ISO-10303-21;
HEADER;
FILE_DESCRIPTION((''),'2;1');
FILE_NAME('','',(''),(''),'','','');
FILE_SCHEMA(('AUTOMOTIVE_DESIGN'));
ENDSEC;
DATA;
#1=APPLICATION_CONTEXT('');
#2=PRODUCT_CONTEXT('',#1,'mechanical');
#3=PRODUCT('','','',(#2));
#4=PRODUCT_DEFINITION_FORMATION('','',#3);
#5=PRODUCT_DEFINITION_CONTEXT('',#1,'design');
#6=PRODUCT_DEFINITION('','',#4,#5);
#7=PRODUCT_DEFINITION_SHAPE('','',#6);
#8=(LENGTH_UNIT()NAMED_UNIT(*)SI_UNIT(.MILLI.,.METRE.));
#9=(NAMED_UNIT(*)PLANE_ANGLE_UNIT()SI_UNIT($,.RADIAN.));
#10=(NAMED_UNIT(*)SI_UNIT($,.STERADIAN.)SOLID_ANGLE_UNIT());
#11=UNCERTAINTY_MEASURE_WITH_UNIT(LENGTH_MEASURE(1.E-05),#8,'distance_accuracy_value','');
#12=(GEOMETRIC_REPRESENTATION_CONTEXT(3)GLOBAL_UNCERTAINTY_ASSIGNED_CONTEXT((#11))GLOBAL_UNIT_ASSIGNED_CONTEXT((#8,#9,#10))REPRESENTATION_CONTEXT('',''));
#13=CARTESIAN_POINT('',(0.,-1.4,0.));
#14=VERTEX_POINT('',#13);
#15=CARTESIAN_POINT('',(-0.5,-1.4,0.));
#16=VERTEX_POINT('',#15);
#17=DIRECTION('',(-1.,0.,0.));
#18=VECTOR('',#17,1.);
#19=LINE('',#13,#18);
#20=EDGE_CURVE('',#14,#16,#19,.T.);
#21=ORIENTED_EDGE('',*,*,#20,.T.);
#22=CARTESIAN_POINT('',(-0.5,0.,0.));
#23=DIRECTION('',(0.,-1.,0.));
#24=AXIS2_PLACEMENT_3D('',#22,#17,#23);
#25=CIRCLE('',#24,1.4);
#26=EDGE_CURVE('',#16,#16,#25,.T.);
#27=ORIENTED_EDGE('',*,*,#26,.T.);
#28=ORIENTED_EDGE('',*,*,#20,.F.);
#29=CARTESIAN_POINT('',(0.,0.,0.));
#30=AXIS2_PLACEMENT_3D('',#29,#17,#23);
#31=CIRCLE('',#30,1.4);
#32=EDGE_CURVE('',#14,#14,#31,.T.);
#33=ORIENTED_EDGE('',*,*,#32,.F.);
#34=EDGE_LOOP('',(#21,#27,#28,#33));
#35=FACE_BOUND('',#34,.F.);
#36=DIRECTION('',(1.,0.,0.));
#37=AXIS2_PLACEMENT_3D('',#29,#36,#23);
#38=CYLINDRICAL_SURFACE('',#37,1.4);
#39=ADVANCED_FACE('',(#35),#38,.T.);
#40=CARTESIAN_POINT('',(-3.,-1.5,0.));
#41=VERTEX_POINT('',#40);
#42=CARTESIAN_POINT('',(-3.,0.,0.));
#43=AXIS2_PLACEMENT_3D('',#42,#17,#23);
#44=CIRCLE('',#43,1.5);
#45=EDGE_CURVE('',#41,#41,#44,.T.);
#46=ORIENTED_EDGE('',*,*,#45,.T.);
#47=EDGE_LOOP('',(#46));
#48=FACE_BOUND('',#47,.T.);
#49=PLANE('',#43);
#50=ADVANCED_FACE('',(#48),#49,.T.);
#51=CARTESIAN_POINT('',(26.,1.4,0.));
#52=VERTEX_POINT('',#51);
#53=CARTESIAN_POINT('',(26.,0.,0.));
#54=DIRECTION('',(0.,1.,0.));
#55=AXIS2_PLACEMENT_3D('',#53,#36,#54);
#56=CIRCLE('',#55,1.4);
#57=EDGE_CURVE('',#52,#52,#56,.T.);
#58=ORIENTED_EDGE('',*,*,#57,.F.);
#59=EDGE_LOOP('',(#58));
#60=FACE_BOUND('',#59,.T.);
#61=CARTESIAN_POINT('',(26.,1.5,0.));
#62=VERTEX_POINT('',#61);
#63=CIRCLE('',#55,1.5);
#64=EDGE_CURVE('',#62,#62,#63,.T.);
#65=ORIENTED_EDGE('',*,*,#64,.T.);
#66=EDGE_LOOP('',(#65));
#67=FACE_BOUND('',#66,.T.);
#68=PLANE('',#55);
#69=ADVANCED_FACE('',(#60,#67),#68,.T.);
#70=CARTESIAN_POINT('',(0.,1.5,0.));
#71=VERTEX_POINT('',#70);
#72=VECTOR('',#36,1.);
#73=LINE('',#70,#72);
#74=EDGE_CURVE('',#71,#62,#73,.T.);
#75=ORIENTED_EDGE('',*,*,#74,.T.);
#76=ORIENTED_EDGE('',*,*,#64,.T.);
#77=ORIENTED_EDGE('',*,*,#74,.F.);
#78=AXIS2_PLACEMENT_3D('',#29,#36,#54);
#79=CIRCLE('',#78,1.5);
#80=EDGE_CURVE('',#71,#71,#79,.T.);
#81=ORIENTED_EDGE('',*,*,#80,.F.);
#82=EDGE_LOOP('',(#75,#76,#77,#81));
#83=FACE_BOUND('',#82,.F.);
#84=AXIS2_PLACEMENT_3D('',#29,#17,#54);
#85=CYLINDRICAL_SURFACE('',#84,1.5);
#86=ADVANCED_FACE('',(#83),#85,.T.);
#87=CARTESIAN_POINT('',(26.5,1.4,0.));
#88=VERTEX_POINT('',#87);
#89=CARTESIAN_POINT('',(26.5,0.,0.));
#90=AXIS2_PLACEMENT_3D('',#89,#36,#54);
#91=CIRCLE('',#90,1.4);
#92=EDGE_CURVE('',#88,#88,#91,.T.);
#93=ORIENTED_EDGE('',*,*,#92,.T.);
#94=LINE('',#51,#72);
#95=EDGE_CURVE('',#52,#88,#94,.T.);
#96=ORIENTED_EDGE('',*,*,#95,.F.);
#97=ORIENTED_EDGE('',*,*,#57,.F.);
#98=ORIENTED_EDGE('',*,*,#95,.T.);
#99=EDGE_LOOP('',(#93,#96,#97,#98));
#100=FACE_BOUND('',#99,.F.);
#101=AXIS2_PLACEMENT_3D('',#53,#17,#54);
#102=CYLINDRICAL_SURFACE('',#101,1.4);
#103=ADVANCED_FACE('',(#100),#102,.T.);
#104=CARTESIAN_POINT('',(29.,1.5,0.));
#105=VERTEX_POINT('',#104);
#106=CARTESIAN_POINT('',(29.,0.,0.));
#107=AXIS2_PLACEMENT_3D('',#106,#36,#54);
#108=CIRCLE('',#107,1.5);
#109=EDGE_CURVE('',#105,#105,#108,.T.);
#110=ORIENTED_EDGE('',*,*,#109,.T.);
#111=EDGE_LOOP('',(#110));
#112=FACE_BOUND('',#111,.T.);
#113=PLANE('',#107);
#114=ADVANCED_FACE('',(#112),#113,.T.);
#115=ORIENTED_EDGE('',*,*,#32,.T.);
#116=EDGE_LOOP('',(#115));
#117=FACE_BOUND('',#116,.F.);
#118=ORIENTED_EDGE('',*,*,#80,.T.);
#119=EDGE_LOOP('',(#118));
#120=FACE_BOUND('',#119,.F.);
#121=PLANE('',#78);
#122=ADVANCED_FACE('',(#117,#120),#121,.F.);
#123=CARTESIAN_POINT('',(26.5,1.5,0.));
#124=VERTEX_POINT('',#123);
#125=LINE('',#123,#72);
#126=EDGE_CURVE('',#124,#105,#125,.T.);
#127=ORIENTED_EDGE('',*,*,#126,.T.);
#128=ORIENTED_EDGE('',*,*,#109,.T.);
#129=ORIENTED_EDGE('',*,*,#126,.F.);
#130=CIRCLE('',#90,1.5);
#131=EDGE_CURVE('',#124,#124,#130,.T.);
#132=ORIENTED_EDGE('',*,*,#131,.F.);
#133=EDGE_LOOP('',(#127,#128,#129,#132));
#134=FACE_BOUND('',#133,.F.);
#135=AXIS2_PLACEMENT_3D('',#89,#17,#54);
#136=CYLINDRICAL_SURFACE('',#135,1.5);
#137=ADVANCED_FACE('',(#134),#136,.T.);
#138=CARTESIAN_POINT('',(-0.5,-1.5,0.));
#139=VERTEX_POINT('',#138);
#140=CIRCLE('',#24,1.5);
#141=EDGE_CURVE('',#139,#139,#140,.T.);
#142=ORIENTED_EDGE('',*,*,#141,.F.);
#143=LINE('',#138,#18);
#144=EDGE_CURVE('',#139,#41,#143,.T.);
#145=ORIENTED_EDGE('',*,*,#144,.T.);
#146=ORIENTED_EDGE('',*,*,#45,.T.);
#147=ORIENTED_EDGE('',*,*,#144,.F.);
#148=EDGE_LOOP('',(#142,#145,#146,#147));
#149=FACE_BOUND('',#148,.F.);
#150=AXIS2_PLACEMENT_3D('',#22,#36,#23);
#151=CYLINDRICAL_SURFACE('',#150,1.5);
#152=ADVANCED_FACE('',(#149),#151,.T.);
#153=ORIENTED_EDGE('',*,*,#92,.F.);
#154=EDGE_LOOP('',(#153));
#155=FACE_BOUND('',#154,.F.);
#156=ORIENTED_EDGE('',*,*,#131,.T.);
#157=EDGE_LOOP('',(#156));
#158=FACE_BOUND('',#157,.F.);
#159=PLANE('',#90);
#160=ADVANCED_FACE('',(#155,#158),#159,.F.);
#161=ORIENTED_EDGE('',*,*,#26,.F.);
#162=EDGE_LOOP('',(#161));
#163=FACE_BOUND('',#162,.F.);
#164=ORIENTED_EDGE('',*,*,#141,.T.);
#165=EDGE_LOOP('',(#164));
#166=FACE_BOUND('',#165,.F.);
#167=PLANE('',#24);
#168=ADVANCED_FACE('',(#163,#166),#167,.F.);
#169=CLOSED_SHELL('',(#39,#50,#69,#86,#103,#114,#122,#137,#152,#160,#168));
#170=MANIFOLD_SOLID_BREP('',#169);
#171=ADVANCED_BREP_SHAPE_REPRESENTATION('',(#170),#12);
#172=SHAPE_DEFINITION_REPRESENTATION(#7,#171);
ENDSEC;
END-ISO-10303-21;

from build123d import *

# Parameters (mm, degrees)
F0_R     = 1.5
F1_DEPTH = 26
F2_R     = 1.4
F3_DEPTH = 0.5
F4_R     = 1.4
F5_DEPTH = 0.5
F6_R     = 1.5
F7_DEPTH = 2.5
F8_R     = 1.5
F9_DEPTH = 2.5


with BuildPart() as f1:
    # F0 (on Right) → F1 (new body)
    with BuildSketch(Plane.YZ):
        Circle(F0_R)
    extrude(amount=F1_DEPTH)

    # F2 (on face) → F3 (join)
    with BuildSketch(Plane.YZ.offset(26)):
        Circle(F2_R)
    extrude(amount=F3_DEPTH)

    # F4 (on face) → F5 (join)
    with BuildSketch(Plane(origin=(0, 0, 0), x_dir=(0, -1, 0), z_dir=(-1, 0, 0))):
        Circle(F4_R)
    extrude(amount=F5_DEPTH)

    # F6 (on face) → F7 (join)
    with BuildSketch(Plane(origin=(-0.5, 0, 0), x_dir=(0, -1, 0), z_dir=(-1, 0, 0))):
        Circle(F6_R)
    extrude(amount=F7_DEPTH)

    # F8 (on face) → F9 (join)
    with BuildSketch(Plane.YZ.offset(26.5)):
        Circle(F8_R)
    extrude(amount=F9_DEPTH)


solid = f1.part
